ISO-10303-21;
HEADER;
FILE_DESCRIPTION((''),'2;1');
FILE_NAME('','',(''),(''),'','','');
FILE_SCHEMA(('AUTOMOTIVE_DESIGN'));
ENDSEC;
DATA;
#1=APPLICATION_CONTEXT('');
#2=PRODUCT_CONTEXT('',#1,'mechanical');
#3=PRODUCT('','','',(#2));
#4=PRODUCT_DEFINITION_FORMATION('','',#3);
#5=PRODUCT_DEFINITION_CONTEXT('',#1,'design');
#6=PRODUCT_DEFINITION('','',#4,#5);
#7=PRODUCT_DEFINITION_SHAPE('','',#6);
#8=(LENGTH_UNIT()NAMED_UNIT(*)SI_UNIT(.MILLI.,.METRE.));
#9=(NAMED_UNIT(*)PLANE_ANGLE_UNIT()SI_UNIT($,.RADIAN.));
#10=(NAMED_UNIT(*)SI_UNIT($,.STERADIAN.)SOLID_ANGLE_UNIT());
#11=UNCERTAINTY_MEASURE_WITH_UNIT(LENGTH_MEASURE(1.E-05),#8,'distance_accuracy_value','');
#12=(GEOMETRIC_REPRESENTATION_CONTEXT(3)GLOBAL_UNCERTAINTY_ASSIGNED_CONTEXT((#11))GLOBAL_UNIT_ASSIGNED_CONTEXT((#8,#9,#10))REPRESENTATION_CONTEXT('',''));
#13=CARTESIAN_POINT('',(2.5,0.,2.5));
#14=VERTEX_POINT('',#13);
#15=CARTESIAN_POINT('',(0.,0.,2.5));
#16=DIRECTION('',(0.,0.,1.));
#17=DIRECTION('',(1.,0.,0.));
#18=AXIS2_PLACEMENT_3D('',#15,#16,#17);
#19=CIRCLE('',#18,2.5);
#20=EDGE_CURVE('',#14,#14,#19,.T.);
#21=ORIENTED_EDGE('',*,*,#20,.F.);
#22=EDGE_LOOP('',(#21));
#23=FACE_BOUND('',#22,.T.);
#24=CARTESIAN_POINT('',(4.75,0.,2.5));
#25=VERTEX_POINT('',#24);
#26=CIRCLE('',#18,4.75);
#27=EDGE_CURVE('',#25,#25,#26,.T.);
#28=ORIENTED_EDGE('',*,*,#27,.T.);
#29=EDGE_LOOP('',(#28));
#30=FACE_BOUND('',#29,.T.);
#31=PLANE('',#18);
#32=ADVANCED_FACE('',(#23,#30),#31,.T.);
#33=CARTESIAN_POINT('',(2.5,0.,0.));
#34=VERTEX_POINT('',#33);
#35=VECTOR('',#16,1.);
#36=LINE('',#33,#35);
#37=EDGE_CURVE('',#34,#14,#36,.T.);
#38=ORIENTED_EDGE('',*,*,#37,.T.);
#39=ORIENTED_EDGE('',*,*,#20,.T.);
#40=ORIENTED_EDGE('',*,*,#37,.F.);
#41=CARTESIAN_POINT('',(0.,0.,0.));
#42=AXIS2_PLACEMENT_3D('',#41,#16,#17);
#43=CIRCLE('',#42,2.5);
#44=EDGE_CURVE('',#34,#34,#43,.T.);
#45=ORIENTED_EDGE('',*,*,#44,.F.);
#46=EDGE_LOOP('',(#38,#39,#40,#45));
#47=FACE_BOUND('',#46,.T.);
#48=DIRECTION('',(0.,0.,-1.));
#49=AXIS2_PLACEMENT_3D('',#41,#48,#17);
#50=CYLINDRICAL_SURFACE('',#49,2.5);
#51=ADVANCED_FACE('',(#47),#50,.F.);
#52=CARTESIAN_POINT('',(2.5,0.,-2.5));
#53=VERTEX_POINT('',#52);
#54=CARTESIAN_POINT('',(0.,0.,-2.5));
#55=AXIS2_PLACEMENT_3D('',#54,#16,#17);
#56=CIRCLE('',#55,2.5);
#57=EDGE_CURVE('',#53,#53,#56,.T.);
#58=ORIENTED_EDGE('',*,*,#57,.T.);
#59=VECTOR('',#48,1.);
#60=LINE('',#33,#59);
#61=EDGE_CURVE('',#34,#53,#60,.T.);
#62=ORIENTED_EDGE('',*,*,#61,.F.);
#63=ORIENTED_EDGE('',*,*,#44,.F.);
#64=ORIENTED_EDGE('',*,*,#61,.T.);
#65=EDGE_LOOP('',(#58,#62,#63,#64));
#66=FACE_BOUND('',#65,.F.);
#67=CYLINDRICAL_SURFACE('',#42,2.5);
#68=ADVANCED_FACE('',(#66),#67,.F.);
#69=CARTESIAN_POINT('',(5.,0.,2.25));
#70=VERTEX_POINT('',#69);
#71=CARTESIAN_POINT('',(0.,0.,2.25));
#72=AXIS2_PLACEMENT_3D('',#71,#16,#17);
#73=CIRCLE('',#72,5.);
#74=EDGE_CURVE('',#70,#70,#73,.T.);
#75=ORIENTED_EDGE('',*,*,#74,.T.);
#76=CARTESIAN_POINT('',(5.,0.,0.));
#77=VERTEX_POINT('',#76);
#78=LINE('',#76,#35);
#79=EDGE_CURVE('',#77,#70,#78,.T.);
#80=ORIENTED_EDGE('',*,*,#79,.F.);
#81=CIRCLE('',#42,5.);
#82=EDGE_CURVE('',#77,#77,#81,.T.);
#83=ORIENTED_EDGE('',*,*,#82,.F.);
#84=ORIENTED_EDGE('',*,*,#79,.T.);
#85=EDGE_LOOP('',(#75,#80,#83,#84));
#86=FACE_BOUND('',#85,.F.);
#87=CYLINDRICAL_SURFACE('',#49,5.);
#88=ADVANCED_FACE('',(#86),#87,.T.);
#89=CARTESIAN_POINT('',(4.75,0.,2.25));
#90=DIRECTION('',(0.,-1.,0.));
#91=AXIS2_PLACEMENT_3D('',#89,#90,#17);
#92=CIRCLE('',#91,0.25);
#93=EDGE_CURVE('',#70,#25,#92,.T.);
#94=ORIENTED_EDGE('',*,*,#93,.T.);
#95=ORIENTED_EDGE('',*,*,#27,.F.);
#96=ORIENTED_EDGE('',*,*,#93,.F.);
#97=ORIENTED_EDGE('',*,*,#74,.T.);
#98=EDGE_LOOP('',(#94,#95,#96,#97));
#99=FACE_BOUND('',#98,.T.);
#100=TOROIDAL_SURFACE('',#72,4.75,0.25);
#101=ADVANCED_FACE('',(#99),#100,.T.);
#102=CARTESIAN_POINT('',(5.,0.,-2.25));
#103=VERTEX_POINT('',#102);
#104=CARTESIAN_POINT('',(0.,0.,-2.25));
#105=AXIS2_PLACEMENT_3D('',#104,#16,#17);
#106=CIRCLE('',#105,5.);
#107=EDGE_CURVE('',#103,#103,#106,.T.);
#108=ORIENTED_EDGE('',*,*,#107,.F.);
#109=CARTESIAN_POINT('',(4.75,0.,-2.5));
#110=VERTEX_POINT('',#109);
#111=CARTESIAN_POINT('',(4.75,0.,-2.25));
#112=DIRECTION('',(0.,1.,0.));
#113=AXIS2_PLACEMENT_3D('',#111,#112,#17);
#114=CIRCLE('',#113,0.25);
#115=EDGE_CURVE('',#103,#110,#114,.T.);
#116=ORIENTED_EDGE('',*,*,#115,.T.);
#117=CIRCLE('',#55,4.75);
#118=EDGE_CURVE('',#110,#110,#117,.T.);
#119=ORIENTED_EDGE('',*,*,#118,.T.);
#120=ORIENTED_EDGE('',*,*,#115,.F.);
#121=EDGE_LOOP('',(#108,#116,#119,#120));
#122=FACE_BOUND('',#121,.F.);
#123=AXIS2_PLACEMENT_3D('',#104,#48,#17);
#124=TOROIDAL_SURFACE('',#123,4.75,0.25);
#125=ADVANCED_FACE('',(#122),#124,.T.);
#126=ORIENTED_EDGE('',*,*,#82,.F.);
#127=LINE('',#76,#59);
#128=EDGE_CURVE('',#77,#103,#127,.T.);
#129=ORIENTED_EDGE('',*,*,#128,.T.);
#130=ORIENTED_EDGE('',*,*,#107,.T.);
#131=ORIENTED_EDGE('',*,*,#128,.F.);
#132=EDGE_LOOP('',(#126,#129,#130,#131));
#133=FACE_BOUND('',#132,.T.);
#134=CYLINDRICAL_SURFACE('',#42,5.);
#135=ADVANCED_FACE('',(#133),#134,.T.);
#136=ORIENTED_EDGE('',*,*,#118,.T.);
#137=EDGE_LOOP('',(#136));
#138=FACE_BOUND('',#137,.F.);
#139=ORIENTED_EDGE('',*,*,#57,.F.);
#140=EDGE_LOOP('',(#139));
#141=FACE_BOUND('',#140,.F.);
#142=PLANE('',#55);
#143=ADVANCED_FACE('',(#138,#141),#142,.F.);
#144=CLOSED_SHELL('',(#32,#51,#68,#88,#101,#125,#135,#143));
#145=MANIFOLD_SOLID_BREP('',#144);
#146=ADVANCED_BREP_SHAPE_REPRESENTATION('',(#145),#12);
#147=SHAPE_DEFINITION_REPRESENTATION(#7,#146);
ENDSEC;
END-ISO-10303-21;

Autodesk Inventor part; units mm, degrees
ref_plane "YZ Plane" through (0, 0, 0) normal (1, 0, 0) x (0, 1, 0)
ref_plane "XZ Plane" through (0, 0, 0) normal (0, 1, 0) x (-1, 0, 0)
ref_plane "XY Plane" through (0, 0, 0) normal (0, 0, 1) x (1, 0, 0)
sketch "Szkic1" plane through (0, 0, 0) normal (0, 0, 1) x (1, 0, 0)
  circle A0 centre (0, 0) radius 2.5
  circle A1 centre (0, 0) radius 5
  dimension "d0" = 5
  dimension "d1" = 10
extrude "Wyciągnięcie proste1" add sketch "Szkic1" along normal mid plane 5
fillet "Zaokrąglenie1" radius 0.25 2 edges at (-5, 0, 2.5) (-5, 0, -2.5)
properties part number "magnes-N35H" material "Magnez"
